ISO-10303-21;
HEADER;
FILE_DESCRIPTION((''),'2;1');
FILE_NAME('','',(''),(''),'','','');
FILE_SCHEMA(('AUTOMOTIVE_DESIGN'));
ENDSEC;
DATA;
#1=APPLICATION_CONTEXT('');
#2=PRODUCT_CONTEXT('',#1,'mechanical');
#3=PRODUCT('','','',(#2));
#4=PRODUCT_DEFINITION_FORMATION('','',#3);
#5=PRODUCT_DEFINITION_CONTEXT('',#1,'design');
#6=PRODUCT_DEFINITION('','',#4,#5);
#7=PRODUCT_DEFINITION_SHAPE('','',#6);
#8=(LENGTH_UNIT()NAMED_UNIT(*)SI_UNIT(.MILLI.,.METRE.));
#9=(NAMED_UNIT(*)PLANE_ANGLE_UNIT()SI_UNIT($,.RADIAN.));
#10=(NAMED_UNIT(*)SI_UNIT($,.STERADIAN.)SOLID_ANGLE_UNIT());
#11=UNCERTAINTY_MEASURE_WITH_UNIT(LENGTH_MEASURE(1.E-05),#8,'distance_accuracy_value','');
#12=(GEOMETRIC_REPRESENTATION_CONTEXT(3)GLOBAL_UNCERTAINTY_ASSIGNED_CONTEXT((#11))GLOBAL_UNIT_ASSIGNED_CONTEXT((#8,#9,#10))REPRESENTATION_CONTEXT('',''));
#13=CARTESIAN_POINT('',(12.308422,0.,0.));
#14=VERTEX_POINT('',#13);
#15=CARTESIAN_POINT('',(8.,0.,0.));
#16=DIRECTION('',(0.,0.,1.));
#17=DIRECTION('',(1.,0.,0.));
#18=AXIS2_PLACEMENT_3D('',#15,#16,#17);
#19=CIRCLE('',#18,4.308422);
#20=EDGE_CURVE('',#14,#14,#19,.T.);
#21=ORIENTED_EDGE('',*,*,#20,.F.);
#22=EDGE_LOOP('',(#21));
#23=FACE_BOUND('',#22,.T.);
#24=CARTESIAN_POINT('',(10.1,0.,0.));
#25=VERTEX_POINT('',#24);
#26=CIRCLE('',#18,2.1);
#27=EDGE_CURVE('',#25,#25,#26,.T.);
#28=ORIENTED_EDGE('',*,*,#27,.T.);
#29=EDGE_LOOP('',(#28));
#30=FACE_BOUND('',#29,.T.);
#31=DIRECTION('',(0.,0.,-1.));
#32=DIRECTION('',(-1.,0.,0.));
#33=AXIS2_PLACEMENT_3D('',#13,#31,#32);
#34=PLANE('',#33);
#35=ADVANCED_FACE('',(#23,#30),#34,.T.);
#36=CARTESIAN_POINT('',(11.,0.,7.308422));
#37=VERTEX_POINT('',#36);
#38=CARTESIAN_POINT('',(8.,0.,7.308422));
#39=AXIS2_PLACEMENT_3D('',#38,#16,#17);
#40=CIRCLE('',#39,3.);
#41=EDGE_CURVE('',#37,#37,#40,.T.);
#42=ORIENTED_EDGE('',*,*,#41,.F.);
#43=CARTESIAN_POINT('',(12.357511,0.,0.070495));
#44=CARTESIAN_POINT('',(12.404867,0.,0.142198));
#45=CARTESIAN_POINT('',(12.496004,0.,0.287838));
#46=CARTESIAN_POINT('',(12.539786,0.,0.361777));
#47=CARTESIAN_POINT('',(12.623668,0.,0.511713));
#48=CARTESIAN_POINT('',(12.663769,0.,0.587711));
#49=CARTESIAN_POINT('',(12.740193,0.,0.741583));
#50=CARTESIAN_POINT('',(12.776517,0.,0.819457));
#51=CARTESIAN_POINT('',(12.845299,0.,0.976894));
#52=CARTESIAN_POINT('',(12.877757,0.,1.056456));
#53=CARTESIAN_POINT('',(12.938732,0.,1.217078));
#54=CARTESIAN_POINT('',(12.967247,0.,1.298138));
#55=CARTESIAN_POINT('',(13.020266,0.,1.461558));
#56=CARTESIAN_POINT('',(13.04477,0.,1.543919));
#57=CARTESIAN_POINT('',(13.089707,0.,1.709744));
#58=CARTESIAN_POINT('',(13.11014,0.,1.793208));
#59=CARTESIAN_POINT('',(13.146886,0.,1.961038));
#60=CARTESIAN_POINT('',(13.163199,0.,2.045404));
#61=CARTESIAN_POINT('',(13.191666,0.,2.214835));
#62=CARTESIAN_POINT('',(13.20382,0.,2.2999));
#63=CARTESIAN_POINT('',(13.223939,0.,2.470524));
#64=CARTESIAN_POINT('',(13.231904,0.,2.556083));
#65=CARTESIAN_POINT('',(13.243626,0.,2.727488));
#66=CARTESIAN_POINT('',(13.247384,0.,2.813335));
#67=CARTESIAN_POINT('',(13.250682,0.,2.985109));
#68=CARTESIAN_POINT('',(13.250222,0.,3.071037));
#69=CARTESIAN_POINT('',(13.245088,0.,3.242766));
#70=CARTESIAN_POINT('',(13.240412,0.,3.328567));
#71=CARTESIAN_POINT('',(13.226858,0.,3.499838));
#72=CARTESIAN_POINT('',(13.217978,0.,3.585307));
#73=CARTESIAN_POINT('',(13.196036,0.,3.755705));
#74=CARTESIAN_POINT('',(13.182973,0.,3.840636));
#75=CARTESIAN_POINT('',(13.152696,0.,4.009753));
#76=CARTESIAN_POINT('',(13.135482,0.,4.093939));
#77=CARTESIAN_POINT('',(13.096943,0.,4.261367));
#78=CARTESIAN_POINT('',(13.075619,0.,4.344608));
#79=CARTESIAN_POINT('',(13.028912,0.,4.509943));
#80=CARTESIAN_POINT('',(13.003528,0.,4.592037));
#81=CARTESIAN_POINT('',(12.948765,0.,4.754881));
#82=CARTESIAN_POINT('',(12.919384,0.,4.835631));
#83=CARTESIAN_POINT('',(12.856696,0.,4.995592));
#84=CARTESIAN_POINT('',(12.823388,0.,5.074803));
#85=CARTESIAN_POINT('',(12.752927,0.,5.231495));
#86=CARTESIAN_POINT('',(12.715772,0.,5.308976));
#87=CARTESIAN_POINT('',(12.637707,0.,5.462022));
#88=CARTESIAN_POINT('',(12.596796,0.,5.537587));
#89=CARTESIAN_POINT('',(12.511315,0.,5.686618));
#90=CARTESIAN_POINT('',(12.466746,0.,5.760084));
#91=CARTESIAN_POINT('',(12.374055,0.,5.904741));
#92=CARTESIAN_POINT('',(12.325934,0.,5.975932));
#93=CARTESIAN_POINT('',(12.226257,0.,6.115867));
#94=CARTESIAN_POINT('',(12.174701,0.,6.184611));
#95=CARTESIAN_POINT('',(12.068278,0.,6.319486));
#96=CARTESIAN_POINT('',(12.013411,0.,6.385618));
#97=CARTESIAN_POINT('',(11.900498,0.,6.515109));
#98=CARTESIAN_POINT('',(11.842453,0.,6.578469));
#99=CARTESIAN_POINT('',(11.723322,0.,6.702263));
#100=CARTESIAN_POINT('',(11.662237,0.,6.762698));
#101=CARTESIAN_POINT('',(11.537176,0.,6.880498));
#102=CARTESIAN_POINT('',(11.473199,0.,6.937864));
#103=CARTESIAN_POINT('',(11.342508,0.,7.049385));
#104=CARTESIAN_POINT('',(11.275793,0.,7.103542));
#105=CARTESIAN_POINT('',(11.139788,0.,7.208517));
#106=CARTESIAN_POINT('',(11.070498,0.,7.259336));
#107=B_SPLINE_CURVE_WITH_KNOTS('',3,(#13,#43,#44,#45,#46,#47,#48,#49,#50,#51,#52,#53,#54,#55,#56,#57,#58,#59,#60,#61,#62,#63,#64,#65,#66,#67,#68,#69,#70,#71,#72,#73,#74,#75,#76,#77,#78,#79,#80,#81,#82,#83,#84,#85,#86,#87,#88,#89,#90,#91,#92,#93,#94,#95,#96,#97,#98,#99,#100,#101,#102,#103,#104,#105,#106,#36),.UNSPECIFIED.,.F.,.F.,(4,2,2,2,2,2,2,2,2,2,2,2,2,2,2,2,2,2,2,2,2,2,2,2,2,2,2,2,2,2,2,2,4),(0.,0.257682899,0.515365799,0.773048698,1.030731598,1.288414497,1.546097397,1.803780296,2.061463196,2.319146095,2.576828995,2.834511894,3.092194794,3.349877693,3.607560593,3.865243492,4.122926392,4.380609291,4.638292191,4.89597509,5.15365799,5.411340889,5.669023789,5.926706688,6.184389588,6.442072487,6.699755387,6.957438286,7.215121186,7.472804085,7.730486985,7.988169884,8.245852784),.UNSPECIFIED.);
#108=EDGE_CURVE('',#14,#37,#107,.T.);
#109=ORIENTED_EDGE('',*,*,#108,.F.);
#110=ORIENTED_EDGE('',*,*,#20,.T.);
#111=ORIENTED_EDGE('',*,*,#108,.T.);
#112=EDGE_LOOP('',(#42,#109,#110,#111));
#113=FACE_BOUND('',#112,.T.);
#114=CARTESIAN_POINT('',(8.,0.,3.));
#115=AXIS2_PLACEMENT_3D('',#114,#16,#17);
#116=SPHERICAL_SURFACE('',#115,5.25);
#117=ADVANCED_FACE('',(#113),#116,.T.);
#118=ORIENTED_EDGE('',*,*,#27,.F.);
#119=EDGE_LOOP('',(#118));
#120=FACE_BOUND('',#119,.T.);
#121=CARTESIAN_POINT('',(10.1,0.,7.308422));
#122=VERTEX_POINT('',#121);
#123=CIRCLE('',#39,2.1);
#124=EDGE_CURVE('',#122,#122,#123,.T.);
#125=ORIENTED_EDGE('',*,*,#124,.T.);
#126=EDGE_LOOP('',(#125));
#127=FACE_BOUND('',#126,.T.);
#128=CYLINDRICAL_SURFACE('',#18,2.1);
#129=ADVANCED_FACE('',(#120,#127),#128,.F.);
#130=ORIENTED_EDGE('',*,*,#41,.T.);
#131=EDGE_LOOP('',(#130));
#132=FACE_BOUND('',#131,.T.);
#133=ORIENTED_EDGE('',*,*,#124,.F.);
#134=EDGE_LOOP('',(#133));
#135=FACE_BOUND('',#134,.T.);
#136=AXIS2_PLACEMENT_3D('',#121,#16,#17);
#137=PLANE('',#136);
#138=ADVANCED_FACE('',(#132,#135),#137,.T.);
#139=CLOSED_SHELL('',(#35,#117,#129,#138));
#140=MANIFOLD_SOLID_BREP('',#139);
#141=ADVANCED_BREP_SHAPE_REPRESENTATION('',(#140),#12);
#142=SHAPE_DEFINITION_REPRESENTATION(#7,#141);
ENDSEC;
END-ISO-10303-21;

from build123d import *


with BuildPart() as part:
    # Sketch4 → Revolve2 (revolve)
    with BuildSketch(Plane(origin=(0, 0, 0), x_dir=(1, 0, 0), z_dir=(0, 1, 0))):
        with BuildLine():
            Line((12.308421985, 0), (10.1, 0))
            Line((10.1, 0), (10.1, -7.308421985))
            Line((10.1, -7.308421985), (11, -7.308421985))
            ThreePointArc((11, -7.308421985), (13.167834745, -3.925194058), (12.308421985, 0))
        make_face()
    revolve(axis=Axis((8, 0, 0), (0, 0, 1)))


solid = part.part
